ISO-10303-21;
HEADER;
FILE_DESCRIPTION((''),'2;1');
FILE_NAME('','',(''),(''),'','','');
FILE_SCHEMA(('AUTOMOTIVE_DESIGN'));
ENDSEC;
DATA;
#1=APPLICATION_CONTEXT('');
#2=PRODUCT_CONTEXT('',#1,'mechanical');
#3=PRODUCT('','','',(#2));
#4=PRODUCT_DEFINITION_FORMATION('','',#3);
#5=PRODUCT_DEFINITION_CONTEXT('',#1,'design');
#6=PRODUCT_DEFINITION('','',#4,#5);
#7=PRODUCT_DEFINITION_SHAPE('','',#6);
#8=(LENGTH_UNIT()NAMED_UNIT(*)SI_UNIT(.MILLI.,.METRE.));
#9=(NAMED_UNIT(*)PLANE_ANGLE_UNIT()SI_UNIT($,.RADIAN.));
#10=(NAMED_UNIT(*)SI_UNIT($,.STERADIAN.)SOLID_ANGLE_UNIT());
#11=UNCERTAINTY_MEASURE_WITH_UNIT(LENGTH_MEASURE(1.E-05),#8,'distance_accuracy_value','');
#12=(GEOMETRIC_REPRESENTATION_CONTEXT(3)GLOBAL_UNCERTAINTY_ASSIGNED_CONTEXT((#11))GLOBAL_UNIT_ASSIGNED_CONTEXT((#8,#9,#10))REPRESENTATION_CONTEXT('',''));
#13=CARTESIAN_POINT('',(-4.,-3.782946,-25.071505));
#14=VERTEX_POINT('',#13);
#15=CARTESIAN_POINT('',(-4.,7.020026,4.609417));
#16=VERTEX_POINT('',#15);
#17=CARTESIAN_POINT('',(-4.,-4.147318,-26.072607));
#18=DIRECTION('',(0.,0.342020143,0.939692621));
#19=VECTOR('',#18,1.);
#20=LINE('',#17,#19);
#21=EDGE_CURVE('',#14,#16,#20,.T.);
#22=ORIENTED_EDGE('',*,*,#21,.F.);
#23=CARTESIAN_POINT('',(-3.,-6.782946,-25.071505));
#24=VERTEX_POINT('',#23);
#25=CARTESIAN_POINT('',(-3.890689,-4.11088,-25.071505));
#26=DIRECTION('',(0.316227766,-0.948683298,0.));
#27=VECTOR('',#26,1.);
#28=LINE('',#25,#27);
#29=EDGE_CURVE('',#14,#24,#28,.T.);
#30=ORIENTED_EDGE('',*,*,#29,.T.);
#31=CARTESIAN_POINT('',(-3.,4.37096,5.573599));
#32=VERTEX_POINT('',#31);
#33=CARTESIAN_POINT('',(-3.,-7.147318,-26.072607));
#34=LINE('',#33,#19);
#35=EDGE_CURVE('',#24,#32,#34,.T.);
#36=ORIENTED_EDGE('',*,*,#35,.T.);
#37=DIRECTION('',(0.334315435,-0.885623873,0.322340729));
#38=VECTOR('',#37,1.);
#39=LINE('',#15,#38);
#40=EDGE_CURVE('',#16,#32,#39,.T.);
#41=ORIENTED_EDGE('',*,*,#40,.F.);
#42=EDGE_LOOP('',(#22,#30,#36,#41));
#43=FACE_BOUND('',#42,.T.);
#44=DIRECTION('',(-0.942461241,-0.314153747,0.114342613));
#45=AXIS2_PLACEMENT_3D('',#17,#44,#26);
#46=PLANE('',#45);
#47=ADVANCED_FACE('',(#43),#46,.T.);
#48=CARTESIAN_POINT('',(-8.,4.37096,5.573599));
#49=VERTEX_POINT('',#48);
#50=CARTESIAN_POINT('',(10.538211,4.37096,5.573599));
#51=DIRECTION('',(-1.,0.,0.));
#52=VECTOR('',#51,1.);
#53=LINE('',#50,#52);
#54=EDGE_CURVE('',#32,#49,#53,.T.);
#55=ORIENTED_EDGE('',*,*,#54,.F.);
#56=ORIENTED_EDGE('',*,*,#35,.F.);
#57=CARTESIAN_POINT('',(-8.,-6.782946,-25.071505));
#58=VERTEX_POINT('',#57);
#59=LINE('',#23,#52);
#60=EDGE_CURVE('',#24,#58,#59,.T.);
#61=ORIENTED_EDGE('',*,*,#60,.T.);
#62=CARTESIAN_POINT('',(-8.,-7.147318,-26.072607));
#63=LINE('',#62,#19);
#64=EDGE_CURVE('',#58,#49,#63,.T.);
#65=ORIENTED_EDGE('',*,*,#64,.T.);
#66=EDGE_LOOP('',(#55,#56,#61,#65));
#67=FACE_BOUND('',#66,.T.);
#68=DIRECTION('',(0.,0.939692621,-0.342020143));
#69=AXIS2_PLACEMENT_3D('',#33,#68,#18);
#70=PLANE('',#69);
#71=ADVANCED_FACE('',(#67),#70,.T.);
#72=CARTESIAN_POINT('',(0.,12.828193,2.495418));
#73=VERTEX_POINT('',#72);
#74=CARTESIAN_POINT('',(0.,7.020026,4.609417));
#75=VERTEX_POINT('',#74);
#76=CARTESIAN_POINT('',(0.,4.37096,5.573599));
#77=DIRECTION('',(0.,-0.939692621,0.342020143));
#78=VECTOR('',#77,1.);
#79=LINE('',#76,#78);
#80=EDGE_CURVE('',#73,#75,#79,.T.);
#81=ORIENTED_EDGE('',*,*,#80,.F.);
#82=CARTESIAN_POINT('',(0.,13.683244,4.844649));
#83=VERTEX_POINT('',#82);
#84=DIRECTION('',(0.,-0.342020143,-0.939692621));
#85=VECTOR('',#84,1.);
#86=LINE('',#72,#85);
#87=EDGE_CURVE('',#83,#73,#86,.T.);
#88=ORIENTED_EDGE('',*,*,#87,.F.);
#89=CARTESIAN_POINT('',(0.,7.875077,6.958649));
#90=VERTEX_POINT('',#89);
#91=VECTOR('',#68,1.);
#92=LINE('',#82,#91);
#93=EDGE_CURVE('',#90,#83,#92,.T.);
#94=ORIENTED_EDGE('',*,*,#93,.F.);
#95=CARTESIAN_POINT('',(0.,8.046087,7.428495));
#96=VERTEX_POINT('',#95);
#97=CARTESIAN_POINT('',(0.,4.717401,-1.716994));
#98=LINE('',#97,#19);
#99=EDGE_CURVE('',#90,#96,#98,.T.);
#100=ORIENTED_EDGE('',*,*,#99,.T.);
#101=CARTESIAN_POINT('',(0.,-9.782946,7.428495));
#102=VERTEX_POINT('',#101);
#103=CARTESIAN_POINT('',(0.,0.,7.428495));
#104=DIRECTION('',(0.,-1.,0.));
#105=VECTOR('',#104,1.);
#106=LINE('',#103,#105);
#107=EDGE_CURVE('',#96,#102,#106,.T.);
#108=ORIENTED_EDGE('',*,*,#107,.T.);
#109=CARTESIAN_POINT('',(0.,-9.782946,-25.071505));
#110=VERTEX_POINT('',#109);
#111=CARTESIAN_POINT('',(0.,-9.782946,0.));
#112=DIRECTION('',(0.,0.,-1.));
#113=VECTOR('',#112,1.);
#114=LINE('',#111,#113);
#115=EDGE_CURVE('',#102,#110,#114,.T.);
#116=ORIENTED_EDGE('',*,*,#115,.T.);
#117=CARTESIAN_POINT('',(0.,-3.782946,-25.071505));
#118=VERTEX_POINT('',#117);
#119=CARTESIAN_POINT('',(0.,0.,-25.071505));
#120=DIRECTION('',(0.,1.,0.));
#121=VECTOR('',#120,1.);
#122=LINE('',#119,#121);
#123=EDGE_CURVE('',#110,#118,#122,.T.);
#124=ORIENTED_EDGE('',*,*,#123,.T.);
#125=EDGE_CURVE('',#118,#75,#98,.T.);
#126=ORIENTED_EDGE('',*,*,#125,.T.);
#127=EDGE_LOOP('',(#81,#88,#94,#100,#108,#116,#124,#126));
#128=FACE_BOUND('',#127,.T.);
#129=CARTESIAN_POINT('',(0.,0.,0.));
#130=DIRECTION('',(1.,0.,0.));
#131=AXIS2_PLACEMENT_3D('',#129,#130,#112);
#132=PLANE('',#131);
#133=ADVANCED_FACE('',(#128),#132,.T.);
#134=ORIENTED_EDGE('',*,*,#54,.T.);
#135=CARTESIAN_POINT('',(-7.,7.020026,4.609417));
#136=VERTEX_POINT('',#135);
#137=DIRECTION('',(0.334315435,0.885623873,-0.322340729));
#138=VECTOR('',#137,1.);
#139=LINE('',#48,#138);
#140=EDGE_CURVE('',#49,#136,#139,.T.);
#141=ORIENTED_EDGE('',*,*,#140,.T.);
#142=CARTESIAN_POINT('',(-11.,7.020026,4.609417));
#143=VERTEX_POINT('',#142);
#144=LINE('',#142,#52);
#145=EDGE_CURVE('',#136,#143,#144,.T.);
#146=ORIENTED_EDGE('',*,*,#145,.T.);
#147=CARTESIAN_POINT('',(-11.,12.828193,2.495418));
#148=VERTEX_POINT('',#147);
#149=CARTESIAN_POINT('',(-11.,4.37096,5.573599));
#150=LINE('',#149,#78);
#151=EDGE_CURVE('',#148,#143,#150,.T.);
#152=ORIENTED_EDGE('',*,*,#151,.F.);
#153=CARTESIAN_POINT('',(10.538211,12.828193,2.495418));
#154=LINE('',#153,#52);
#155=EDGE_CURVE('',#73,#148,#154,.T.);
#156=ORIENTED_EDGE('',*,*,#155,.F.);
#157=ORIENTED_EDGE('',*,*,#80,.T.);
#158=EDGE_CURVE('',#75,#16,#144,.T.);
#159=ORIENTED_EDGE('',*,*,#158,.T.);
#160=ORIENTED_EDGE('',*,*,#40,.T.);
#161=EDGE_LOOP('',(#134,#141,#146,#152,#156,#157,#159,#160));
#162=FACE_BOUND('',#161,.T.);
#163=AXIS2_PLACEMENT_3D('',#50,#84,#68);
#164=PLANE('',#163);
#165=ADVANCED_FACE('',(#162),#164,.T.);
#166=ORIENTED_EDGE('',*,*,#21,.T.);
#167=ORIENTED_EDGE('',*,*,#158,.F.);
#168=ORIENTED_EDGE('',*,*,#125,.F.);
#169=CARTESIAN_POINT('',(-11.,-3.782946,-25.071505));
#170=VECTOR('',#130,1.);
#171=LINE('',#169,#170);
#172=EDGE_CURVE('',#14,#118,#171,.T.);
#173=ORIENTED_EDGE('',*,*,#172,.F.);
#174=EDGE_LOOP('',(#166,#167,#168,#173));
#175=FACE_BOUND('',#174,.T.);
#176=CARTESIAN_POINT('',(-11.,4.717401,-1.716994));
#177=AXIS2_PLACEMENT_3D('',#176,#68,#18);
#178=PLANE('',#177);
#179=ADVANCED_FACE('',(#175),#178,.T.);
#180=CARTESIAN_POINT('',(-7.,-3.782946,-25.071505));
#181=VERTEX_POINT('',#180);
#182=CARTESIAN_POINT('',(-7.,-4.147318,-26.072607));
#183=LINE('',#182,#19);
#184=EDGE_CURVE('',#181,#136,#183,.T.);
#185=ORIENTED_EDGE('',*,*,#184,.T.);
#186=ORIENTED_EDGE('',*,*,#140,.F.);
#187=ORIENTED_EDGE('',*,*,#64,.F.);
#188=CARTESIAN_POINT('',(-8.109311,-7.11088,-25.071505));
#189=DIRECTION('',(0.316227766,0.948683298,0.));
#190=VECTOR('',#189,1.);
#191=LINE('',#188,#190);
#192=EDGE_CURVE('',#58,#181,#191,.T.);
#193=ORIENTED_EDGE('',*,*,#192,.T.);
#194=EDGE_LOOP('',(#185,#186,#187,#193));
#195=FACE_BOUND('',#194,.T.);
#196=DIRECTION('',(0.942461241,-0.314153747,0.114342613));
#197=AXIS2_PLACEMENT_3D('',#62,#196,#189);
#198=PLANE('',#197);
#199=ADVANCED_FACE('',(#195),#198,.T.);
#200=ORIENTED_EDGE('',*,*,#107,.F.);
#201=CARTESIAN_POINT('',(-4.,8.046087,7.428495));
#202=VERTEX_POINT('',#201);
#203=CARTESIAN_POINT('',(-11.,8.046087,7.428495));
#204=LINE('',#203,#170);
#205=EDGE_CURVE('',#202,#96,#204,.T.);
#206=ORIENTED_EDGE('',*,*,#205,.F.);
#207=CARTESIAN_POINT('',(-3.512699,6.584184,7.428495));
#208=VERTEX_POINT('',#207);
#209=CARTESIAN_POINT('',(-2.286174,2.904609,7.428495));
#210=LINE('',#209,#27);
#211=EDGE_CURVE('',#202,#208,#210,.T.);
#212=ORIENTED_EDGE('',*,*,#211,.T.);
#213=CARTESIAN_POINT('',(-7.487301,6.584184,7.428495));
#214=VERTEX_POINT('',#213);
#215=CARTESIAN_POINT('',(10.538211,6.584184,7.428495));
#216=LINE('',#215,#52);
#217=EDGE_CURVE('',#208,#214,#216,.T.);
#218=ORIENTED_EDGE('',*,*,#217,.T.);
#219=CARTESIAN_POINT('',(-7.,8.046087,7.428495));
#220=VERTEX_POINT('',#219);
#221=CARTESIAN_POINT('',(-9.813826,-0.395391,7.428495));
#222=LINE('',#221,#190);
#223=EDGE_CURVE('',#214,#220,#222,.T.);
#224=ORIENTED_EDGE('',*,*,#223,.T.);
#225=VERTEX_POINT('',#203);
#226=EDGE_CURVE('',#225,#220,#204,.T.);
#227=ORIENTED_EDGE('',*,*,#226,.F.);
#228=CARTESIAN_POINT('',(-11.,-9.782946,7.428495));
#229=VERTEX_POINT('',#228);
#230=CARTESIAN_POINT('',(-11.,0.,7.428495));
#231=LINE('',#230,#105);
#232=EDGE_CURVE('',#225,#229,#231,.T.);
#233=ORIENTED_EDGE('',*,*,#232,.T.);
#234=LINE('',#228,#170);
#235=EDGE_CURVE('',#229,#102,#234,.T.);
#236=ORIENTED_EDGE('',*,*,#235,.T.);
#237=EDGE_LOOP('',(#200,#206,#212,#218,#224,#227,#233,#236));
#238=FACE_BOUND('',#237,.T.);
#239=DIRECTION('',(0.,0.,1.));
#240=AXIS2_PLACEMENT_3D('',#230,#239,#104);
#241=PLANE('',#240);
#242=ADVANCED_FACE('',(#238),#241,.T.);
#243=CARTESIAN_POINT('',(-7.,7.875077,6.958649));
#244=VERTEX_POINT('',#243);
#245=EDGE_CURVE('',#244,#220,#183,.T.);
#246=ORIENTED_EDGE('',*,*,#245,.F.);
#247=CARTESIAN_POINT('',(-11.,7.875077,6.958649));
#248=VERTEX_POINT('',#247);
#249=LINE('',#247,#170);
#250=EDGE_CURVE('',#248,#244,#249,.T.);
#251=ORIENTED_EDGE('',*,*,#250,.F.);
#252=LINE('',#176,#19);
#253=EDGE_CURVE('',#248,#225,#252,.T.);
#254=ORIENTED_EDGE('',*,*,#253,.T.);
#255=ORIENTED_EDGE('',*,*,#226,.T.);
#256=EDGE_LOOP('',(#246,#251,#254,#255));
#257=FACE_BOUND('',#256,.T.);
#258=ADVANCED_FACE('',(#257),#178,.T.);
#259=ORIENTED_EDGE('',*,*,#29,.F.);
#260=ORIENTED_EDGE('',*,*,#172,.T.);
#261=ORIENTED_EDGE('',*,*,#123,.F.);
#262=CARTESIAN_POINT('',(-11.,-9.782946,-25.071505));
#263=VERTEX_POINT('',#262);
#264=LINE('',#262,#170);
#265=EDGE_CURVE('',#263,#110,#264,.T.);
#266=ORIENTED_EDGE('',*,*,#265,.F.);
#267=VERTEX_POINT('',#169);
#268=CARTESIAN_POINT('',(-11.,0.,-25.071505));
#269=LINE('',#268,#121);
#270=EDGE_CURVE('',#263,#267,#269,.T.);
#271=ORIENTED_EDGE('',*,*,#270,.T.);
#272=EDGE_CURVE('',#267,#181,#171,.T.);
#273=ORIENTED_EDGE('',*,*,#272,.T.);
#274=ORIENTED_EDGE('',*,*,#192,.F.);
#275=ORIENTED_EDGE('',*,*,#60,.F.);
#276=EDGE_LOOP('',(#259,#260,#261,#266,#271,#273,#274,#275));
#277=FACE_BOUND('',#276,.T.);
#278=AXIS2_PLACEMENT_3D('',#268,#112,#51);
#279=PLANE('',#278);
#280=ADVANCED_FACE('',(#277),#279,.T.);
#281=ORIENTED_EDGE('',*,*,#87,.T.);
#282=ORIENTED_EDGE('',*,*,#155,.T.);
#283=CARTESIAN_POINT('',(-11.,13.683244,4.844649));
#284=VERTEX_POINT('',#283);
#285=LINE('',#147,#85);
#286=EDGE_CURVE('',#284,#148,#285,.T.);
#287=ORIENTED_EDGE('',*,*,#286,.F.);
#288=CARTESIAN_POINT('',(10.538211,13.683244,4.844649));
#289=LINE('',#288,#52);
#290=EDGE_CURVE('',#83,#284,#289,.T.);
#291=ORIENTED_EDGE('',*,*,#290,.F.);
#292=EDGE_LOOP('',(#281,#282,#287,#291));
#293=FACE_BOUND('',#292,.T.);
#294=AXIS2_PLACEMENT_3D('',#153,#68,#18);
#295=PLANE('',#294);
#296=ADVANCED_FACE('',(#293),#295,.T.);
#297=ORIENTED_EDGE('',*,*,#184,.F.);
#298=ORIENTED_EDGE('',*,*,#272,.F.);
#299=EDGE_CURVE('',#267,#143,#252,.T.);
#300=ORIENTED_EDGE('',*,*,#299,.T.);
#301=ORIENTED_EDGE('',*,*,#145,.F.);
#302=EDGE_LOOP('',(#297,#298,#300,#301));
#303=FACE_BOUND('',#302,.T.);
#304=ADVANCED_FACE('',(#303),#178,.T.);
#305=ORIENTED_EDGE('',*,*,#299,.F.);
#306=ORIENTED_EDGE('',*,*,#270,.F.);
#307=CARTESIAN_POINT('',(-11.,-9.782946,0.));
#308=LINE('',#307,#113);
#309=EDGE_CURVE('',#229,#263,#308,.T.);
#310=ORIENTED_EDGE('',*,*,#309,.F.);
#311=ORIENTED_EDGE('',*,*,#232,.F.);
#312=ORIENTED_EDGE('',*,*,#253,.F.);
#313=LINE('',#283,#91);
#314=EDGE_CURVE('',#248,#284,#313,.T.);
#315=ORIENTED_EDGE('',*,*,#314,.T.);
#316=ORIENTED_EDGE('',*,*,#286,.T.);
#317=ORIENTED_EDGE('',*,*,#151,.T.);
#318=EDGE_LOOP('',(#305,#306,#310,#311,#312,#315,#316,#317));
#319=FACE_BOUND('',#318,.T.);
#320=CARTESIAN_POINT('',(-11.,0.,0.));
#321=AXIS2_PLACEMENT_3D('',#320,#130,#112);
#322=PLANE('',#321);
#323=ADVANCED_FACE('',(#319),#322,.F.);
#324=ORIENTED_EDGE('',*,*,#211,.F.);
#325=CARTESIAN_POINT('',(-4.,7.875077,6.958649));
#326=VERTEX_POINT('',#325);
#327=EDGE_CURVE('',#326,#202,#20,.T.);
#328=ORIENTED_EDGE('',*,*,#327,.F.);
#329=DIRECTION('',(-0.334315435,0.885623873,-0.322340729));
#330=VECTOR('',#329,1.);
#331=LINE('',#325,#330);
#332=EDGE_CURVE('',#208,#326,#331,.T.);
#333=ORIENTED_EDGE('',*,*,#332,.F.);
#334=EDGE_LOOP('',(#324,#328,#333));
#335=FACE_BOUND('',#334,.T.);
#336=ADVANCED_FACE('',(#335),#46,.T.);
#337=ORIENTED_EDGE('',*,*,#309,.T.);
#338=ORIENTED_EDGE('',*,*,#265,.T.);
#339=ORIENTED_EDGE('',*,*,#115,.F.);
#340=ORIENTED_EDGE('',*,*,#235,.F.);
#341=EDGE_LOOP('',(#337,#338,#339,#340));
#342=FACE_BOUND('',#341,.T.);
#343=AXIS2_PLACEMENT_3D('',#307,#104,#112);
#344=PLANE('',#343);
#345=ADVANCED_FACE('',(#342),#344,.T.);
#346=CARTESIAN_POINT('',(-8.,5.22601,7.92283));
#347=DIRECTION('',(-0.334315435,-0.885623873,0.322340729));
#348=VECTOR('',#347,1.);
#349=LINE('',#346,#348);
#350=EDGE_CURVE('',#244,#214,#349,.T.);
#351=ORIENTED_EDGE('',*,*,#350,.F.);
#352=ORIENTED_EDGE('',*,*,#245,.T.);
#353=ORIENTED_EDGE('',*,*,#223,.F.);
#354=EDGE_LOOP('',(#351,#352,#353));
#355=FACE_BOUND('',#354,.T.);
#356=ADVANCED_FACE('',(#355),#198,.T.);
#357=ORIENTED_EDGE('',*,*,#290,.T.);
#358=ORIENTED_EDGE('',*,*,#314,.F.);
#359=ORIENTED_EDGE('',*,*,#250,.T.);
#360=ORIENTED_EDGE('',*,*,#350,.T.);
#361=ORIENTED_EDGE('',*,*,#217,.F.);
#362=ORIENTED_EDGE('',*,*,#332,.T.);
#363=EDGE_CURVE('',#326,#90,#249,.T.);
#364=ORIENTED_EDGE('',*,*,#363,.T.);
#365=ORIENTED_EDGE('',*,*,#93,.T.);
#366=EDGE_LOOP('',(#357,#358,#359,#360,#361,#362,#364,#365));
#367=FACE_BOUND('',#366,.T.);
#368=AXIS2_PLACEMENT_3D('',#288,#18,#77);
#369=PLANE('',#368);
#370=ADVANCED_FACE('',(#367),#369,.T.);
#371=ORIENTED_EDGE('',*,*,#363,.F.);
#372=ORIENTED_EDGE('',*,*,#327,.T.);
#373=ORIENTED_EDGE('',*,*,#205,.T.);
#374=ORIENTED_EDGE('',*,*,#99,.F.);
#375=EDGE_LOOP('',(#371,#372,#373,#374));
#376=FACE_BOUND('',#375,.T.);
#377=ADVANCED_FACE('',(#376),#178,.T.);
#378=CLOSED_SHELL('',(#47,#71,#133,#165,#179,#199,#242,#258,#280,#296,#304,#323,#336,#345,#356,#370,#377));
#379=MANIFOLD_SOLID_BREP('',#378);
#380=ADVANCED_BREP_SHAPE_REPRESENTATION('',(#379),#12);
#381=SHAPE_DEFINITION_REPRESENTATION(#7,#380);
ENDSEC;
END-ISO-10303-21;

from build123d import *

# Parameters (mm, degrees)
BOSS_EXTRUDE1_DEPTH = 11
BOSS_EXTRUDE2_REACH = 31.074


with BuildPart() as part:
    # Sketch2 → Boss-Extrude1 (new body)
    with BuildSketch(Plane(origin=(0, 0, 0), x_dir=(0, 0, -1), z_dir=(1, 0, 0))):
        Polygon((-7.428495294, -9.782945939), (25.071504706, -9.782945939), (25.071504706, -3.782945939), (-7.428495294, 8.046086675), align=None)
    extrude(amount=-BOSS_EXTRUDE1_DEPTH)

    # Cut-Sweep3: sweep along a path in Sketch5
    with BuildLine(Plane.ZY.offset(11)) as cut_sweep3_path:
        Line((-25.071504706, -6.975479256), (8.757429642, 5.337245904))
    # Sketch3 → Cut-Sweep3 (sweep, cut)
    with BuildSketch(Plane(origin=(0, 0, -25.071504706), x_dir=(-1, 0, 0), z_dir=(0, 0, -1))):
        Polygon((3, -6.782945939), (8, -6.782945939), (7, -3.782945939), (4, -3.782945939), align=None)
    sweep(path=cut_sweep3_path.line, mode=Mode.SUBTRACT)

    # Boss-Extrude2: up to this face of the body (flat: up to its plane)
    boss_extrude2_end = Plane(part.part.faces().sort_by_distance((0, -3.336347692, -6.132602991))[0])
    # Sketch6 → Boss-Extrude2 (add, up to the picked face)
    with BuildSketch(Plane.ZY.offset(11), mode=Mode.PRIVATE) as boss_extrude2_sk1:
        Polygon((5.573598846, 4.37095958), (7.428495294, 5.046086675), (7.428495294, 6.584184475), (4.844649108, 13.683243526), (2.495417556, 12.828193167), align=None)
    boss_extrude2_tool1 = split(extrude(boss_extrude2_sk1.sketch, amount=-BOSS_EXTRUDE2_REACH, mode=Mode.PRIVATE), bisect_by=boss_extrude2_end, keep=Keep.BOTH, mode=Mode.PRIVATE)
    add(boss_extrude2_tool1.solids().sort_by(Axis((-11, 9.08568, 5.168148), (1, 0, 0)))[0])


solid = part.part
